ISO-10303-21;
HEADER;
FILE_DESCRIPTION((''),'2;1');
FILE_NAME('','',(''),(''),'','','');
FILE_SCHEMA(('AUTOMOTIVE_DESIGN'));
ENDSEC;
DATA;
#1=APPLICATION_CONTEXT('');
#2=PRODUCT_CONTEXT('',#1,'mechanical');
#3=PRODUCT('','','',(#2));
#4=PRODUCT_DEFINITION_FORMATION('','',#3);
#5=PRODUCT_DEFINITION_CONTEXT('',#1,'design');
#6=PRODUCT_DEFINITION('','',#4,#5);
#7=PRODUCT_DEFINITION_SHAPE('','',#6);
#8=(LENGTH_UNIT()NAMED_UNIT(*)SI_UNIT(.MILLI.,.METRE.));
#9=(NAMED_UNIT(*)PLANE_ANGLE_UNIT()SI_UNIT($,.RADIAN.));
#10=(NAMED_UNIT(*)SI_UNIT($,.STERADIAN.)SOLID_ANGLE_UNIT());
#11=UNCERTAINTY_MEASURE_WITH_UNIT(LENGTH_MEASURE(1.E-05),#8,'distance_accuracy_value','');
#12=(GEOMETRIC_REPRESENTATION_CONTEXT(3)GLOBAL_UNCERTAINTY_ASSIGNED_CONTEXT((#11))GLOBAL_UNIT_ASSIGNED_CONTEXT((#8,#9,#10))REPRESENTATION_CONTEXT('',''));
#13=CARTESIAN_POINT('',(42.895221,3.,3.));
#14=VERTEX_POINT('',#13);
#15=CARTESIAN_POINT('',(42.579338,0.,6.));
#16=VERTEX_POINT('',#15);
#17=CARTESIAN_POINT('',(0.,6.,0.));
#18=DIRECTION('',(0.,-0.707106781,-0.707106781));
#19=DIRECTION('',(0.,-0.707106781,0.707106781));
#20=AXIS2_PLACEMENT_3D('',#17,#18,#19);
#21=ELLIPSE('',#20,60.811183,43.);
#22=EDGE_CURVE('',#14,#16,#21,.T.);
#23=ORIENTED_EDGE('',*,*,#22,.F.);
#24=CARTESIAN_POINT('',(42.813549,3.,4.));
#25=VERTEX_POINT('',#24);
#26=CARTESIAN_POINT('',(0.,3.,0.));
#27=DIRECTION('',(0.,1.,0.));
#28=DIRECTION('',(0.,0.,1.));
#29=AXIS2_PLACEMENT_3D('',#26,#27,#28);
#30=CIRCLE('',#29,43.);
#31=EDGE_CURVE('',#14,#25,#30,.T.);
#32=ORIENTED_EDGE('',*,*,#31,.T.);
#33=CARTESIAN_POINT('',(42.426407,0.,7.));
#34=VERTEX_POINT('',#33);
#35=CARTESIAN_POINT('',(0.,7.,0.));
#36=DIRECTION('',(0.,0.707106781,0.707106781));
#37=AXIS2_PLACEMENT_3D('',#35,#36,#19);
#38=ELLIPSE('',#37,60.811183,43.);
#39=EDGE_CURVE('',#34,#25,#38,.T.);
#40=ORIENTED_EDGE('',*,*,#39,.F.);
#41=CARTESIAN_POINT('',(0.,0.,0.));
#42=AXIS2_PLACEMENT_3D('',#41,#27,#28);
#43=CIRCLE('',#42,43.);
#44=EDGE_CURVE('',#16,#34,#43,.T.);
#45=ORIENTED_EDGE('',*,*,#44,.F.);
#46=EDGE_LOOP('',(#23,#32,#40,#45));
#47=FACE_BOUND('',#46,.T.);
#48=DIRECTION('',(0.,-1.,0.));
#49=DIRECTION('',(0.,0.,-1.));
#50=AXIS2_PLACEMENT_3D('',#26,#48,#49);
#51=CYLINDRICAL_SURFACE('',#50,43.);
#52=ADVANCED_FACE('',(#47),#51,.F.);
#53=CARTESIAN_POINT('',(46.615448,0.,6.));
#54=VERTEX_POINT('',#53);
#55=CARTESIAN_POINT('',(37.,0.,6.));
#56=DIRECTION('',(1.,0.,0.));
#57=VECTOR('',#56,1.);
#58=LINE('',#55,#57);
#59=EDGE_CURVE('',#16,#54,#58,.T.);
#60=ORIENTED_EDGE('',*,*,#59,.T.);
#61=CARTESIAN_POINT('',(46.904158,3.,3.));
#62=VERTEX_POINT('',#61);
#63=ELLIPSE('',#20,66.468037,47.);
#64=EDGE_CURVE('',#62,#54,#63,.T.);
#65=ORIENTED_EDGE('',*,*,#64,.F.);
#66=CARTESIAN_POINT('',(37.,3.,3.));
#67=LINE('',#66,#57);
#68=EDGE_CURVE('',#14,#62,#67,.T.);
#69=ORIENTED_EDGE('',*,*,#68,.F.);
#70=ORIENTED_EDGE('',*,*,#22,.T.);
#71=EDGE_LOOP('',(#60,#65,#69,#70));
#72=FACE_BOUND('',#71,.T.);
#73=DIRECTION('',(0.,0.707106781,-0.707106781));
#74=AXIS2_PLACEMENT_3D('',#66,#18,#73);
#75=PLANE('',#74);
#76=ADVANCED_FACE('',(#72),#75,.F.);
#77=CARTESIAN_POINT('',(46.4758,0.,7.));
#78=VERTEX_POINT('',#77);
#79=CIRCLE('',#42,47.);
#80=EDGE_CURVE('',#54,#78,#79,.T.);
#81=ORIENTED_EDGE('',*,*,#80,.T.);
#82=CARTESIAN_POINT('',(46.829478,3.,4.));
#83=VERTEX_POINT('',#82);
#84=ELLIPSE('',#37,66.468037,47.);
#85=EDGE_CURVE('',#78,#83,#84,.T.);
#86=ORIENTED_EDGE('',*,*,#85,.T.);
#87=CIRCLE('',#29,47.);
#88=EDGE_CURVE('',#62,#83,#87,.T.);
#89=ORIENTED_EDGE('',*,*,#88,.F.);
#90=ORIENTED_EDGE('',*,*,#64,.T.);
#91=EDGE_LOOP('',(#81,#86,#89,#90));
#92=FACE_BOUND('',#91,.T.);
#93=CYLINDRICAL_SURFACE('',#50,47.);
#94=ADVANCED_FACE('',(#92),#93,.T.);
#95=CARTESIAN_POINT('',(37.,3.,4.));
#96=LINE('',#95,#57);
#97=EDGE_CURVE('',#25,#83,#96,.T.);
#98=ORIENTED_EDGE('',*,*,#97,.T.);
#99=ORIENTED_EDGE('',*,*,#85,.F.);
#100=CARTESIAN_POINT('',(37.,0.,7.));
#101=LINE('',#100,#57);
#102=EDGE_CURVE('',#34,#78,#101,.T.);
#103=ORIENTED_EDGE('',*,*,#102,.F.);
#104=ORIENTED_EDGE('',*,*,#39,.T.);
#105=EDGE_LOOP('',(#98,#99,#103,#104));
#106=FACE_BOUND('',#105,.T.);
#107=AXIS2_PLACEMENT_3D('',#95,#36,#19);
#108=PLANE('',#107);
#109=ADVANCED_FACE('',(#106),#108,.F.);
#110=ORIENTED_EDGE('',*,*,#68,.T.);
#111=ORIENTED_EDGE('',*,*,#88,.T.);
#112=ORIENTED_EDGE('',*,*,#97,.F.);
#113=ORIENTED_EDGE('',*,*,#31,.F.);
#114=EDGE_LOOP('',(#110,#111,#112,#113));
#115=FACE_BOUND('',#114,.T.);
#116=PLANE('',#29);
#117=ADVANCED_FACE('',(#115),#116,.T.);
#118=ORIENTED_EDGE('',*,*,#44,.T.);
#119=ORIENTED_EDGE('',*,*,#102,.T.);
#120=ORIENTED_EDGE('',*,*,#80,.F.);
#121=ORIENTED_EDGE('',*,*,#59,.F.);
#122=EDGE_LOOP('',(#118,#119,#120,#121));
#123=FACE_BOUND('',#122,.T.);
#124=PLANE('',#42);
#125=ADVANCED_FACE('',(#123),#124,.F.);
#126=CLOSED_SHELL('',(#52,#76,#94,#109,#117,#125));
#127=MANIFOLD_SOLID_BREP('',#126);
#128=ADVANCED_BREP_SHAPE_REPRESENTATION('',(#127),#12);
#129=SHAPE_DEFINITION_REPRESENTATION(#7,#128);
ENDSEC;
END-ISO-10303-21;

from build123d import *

# Parameters (mm, degrees)
SKETCH1_R           = 47
SKETCH1_R_2         = 43
BOSS_EXTRUDE1_DEPTH = 3
CUT_EXTRUDE1_DEPTH  = 10


with BuildPart() as part:
    # Sketch1 → Boss-Extrude1 (new body)
    with BuildSketch(Plane(origin=(0, 0, 0), x_dir=(1, 0, 0), z_dir=(0, 1, 0))):
        with Locations(Location((0, 0, 0), (0, 0, 270))):
            Circle(SKETCH1_R)
        with Locations(Location((0, 0, 0), (0, 0, 270))):
            Circle(SKETCH1_R_2, mode=Mode.SUBTRACT)
    extrude(amount=BOSS_EXTRUDE1_DEPTH)

    # Sketch3 → Cut-Extrude1 (cut)
    with BuildSketch(Plane(origin=(47, 0, 0), x_dir=(0, 0, -1), z_dir=(1, 0, 0))):
        Polygon((-4, 3), (-7, 0), (-6, 0), (-3, 3), align=None)
    extrude(amount=-CUT_EXTRUDE1_DEPTH, mode=Mode.SUBTRACT)


solid = part.part
